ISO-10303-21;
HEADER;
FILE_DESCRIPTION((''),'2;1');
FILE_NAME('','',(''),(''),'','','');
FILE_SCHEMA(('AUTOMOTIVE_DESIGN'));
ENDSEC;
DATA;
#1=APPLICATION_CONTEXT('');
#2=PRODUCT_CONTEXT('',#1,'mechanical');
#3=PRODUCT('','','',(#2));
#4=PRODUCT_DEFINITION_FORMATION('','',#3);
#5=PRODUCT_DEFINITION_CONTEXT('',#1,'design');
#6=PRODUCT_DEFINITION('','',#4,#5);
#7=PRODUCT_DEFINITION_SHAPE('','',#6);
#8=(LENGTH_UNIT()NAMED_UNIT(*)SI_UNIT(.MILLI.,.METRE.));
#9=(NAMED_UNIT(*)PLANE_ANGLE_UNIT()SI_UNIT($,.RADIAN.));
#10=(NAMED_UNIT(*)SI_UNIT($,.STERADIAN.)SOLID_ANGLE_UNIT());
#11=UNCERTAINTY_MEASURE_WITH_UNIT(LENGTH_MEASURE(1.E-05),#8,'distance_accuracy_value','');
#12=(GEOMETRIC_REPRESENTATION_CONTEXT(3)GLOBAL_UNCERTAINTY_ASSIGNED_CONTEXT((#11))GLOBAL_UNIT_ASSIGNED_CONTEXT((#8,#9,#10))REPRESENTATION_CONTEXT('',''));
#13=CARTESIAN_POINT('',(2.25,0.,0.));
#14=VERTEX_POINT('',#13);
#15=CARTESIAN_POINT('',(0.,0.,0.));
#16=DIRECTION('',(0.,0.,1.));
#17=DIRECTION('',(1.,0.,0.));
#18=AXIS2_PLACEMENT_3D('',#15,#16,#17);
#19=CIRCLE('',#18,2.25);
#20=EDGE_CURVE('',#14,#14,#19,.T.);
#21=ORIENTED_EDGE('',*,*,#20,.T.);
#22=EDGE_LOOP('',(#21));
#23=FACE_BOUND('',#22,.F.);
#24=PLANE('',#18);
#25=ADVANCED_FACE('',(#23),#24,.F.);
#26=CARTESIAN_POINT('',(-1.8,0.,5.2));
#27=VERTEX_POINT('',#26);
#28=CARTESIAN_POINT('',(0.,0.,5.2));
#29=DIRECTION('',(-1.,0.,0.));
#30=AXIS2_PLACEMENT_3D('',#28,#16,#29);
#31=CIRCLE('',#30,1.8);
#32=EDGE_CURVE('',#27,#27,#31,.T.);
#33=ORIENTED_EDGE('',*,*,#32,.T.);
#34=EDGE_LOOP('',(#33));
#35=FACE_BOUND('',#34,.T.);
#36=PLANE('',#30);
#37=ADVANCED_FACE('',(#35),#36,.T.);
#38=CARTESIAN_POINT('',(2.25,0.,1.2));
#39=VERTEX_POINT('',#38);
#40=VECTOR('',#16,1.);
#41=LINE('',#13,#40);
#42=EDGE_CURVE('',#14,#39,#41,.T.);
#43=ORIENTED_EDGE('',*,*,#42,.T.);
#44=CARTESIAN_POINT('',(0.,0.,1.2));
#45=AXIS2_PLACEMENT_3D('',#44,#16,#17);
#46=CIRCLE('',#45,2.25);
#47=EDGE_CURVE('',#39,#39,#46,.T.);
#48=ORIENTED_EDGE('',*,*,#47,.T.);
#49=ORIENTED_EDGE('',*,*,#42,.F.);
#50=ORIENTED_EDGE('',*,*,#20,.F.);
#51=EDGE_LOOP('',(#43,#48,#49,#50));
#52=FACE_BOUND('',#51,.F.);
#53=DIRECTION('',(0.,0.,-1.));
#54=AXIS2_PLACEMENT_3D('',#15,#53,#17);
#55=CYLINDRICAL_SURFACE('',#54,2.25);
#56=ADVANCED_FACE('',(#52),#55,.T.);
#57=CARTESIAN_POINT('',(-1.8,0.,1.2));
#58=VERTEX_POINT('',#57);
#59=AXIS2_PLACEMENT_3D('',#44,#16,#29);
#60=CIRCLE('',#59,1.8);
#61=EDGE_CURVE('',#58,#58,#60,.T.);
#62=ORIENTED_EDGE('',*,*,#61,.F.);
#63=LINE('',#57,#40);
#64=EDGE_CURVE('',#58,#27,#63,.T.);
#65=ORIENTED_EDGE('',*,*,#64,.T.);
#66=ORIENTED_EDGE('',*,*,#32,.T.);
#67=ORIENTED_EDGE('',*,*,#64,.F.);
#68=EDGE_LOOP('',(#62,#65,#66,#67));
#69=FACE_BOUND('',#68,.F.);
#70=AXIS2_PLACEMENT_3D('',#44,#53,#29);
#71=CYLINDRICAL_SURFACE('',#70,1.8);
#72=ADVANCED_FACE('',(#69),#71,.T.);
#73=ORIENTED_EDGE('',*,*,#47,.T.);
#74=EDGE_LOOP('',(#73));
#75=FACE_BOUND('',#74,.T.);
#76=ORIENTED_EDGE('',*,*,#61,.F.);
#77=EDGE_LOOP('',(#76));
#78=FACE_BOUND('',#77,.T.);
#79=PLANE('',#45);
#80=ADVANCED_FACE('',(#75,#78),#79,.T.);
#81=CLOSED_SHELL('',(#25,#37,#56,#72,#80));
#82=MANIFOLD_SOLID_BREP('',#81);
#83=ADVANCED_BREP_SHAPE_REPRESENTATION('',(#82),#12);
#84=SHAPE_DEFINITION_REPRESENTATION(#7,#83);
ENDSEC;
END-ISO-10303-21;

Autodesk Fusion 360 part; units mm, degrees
sketch "Boceto1" plane through (0, 0, 0) normal (0, 0, 1) x (1, 0, 0)
  circle A0 centre (0, 0) radius 2.25
  dimension "d1" = 4.5
extrude "Extruir1" add sketch "Boceto1" along normal blind 1.2
sketch "Boceto2" plane through (0, 0, 1.2) normal (0, 0, 1) x (-1, 0, 0)
  circle A0 centre (0, 0) radius 2.25
  circle A1 centre (0, 0) radius 1.8
  dimension "d4" = 3.6
extrude "Extruir2" add sketch "Boceto2" along normal blind 4 contours A1
